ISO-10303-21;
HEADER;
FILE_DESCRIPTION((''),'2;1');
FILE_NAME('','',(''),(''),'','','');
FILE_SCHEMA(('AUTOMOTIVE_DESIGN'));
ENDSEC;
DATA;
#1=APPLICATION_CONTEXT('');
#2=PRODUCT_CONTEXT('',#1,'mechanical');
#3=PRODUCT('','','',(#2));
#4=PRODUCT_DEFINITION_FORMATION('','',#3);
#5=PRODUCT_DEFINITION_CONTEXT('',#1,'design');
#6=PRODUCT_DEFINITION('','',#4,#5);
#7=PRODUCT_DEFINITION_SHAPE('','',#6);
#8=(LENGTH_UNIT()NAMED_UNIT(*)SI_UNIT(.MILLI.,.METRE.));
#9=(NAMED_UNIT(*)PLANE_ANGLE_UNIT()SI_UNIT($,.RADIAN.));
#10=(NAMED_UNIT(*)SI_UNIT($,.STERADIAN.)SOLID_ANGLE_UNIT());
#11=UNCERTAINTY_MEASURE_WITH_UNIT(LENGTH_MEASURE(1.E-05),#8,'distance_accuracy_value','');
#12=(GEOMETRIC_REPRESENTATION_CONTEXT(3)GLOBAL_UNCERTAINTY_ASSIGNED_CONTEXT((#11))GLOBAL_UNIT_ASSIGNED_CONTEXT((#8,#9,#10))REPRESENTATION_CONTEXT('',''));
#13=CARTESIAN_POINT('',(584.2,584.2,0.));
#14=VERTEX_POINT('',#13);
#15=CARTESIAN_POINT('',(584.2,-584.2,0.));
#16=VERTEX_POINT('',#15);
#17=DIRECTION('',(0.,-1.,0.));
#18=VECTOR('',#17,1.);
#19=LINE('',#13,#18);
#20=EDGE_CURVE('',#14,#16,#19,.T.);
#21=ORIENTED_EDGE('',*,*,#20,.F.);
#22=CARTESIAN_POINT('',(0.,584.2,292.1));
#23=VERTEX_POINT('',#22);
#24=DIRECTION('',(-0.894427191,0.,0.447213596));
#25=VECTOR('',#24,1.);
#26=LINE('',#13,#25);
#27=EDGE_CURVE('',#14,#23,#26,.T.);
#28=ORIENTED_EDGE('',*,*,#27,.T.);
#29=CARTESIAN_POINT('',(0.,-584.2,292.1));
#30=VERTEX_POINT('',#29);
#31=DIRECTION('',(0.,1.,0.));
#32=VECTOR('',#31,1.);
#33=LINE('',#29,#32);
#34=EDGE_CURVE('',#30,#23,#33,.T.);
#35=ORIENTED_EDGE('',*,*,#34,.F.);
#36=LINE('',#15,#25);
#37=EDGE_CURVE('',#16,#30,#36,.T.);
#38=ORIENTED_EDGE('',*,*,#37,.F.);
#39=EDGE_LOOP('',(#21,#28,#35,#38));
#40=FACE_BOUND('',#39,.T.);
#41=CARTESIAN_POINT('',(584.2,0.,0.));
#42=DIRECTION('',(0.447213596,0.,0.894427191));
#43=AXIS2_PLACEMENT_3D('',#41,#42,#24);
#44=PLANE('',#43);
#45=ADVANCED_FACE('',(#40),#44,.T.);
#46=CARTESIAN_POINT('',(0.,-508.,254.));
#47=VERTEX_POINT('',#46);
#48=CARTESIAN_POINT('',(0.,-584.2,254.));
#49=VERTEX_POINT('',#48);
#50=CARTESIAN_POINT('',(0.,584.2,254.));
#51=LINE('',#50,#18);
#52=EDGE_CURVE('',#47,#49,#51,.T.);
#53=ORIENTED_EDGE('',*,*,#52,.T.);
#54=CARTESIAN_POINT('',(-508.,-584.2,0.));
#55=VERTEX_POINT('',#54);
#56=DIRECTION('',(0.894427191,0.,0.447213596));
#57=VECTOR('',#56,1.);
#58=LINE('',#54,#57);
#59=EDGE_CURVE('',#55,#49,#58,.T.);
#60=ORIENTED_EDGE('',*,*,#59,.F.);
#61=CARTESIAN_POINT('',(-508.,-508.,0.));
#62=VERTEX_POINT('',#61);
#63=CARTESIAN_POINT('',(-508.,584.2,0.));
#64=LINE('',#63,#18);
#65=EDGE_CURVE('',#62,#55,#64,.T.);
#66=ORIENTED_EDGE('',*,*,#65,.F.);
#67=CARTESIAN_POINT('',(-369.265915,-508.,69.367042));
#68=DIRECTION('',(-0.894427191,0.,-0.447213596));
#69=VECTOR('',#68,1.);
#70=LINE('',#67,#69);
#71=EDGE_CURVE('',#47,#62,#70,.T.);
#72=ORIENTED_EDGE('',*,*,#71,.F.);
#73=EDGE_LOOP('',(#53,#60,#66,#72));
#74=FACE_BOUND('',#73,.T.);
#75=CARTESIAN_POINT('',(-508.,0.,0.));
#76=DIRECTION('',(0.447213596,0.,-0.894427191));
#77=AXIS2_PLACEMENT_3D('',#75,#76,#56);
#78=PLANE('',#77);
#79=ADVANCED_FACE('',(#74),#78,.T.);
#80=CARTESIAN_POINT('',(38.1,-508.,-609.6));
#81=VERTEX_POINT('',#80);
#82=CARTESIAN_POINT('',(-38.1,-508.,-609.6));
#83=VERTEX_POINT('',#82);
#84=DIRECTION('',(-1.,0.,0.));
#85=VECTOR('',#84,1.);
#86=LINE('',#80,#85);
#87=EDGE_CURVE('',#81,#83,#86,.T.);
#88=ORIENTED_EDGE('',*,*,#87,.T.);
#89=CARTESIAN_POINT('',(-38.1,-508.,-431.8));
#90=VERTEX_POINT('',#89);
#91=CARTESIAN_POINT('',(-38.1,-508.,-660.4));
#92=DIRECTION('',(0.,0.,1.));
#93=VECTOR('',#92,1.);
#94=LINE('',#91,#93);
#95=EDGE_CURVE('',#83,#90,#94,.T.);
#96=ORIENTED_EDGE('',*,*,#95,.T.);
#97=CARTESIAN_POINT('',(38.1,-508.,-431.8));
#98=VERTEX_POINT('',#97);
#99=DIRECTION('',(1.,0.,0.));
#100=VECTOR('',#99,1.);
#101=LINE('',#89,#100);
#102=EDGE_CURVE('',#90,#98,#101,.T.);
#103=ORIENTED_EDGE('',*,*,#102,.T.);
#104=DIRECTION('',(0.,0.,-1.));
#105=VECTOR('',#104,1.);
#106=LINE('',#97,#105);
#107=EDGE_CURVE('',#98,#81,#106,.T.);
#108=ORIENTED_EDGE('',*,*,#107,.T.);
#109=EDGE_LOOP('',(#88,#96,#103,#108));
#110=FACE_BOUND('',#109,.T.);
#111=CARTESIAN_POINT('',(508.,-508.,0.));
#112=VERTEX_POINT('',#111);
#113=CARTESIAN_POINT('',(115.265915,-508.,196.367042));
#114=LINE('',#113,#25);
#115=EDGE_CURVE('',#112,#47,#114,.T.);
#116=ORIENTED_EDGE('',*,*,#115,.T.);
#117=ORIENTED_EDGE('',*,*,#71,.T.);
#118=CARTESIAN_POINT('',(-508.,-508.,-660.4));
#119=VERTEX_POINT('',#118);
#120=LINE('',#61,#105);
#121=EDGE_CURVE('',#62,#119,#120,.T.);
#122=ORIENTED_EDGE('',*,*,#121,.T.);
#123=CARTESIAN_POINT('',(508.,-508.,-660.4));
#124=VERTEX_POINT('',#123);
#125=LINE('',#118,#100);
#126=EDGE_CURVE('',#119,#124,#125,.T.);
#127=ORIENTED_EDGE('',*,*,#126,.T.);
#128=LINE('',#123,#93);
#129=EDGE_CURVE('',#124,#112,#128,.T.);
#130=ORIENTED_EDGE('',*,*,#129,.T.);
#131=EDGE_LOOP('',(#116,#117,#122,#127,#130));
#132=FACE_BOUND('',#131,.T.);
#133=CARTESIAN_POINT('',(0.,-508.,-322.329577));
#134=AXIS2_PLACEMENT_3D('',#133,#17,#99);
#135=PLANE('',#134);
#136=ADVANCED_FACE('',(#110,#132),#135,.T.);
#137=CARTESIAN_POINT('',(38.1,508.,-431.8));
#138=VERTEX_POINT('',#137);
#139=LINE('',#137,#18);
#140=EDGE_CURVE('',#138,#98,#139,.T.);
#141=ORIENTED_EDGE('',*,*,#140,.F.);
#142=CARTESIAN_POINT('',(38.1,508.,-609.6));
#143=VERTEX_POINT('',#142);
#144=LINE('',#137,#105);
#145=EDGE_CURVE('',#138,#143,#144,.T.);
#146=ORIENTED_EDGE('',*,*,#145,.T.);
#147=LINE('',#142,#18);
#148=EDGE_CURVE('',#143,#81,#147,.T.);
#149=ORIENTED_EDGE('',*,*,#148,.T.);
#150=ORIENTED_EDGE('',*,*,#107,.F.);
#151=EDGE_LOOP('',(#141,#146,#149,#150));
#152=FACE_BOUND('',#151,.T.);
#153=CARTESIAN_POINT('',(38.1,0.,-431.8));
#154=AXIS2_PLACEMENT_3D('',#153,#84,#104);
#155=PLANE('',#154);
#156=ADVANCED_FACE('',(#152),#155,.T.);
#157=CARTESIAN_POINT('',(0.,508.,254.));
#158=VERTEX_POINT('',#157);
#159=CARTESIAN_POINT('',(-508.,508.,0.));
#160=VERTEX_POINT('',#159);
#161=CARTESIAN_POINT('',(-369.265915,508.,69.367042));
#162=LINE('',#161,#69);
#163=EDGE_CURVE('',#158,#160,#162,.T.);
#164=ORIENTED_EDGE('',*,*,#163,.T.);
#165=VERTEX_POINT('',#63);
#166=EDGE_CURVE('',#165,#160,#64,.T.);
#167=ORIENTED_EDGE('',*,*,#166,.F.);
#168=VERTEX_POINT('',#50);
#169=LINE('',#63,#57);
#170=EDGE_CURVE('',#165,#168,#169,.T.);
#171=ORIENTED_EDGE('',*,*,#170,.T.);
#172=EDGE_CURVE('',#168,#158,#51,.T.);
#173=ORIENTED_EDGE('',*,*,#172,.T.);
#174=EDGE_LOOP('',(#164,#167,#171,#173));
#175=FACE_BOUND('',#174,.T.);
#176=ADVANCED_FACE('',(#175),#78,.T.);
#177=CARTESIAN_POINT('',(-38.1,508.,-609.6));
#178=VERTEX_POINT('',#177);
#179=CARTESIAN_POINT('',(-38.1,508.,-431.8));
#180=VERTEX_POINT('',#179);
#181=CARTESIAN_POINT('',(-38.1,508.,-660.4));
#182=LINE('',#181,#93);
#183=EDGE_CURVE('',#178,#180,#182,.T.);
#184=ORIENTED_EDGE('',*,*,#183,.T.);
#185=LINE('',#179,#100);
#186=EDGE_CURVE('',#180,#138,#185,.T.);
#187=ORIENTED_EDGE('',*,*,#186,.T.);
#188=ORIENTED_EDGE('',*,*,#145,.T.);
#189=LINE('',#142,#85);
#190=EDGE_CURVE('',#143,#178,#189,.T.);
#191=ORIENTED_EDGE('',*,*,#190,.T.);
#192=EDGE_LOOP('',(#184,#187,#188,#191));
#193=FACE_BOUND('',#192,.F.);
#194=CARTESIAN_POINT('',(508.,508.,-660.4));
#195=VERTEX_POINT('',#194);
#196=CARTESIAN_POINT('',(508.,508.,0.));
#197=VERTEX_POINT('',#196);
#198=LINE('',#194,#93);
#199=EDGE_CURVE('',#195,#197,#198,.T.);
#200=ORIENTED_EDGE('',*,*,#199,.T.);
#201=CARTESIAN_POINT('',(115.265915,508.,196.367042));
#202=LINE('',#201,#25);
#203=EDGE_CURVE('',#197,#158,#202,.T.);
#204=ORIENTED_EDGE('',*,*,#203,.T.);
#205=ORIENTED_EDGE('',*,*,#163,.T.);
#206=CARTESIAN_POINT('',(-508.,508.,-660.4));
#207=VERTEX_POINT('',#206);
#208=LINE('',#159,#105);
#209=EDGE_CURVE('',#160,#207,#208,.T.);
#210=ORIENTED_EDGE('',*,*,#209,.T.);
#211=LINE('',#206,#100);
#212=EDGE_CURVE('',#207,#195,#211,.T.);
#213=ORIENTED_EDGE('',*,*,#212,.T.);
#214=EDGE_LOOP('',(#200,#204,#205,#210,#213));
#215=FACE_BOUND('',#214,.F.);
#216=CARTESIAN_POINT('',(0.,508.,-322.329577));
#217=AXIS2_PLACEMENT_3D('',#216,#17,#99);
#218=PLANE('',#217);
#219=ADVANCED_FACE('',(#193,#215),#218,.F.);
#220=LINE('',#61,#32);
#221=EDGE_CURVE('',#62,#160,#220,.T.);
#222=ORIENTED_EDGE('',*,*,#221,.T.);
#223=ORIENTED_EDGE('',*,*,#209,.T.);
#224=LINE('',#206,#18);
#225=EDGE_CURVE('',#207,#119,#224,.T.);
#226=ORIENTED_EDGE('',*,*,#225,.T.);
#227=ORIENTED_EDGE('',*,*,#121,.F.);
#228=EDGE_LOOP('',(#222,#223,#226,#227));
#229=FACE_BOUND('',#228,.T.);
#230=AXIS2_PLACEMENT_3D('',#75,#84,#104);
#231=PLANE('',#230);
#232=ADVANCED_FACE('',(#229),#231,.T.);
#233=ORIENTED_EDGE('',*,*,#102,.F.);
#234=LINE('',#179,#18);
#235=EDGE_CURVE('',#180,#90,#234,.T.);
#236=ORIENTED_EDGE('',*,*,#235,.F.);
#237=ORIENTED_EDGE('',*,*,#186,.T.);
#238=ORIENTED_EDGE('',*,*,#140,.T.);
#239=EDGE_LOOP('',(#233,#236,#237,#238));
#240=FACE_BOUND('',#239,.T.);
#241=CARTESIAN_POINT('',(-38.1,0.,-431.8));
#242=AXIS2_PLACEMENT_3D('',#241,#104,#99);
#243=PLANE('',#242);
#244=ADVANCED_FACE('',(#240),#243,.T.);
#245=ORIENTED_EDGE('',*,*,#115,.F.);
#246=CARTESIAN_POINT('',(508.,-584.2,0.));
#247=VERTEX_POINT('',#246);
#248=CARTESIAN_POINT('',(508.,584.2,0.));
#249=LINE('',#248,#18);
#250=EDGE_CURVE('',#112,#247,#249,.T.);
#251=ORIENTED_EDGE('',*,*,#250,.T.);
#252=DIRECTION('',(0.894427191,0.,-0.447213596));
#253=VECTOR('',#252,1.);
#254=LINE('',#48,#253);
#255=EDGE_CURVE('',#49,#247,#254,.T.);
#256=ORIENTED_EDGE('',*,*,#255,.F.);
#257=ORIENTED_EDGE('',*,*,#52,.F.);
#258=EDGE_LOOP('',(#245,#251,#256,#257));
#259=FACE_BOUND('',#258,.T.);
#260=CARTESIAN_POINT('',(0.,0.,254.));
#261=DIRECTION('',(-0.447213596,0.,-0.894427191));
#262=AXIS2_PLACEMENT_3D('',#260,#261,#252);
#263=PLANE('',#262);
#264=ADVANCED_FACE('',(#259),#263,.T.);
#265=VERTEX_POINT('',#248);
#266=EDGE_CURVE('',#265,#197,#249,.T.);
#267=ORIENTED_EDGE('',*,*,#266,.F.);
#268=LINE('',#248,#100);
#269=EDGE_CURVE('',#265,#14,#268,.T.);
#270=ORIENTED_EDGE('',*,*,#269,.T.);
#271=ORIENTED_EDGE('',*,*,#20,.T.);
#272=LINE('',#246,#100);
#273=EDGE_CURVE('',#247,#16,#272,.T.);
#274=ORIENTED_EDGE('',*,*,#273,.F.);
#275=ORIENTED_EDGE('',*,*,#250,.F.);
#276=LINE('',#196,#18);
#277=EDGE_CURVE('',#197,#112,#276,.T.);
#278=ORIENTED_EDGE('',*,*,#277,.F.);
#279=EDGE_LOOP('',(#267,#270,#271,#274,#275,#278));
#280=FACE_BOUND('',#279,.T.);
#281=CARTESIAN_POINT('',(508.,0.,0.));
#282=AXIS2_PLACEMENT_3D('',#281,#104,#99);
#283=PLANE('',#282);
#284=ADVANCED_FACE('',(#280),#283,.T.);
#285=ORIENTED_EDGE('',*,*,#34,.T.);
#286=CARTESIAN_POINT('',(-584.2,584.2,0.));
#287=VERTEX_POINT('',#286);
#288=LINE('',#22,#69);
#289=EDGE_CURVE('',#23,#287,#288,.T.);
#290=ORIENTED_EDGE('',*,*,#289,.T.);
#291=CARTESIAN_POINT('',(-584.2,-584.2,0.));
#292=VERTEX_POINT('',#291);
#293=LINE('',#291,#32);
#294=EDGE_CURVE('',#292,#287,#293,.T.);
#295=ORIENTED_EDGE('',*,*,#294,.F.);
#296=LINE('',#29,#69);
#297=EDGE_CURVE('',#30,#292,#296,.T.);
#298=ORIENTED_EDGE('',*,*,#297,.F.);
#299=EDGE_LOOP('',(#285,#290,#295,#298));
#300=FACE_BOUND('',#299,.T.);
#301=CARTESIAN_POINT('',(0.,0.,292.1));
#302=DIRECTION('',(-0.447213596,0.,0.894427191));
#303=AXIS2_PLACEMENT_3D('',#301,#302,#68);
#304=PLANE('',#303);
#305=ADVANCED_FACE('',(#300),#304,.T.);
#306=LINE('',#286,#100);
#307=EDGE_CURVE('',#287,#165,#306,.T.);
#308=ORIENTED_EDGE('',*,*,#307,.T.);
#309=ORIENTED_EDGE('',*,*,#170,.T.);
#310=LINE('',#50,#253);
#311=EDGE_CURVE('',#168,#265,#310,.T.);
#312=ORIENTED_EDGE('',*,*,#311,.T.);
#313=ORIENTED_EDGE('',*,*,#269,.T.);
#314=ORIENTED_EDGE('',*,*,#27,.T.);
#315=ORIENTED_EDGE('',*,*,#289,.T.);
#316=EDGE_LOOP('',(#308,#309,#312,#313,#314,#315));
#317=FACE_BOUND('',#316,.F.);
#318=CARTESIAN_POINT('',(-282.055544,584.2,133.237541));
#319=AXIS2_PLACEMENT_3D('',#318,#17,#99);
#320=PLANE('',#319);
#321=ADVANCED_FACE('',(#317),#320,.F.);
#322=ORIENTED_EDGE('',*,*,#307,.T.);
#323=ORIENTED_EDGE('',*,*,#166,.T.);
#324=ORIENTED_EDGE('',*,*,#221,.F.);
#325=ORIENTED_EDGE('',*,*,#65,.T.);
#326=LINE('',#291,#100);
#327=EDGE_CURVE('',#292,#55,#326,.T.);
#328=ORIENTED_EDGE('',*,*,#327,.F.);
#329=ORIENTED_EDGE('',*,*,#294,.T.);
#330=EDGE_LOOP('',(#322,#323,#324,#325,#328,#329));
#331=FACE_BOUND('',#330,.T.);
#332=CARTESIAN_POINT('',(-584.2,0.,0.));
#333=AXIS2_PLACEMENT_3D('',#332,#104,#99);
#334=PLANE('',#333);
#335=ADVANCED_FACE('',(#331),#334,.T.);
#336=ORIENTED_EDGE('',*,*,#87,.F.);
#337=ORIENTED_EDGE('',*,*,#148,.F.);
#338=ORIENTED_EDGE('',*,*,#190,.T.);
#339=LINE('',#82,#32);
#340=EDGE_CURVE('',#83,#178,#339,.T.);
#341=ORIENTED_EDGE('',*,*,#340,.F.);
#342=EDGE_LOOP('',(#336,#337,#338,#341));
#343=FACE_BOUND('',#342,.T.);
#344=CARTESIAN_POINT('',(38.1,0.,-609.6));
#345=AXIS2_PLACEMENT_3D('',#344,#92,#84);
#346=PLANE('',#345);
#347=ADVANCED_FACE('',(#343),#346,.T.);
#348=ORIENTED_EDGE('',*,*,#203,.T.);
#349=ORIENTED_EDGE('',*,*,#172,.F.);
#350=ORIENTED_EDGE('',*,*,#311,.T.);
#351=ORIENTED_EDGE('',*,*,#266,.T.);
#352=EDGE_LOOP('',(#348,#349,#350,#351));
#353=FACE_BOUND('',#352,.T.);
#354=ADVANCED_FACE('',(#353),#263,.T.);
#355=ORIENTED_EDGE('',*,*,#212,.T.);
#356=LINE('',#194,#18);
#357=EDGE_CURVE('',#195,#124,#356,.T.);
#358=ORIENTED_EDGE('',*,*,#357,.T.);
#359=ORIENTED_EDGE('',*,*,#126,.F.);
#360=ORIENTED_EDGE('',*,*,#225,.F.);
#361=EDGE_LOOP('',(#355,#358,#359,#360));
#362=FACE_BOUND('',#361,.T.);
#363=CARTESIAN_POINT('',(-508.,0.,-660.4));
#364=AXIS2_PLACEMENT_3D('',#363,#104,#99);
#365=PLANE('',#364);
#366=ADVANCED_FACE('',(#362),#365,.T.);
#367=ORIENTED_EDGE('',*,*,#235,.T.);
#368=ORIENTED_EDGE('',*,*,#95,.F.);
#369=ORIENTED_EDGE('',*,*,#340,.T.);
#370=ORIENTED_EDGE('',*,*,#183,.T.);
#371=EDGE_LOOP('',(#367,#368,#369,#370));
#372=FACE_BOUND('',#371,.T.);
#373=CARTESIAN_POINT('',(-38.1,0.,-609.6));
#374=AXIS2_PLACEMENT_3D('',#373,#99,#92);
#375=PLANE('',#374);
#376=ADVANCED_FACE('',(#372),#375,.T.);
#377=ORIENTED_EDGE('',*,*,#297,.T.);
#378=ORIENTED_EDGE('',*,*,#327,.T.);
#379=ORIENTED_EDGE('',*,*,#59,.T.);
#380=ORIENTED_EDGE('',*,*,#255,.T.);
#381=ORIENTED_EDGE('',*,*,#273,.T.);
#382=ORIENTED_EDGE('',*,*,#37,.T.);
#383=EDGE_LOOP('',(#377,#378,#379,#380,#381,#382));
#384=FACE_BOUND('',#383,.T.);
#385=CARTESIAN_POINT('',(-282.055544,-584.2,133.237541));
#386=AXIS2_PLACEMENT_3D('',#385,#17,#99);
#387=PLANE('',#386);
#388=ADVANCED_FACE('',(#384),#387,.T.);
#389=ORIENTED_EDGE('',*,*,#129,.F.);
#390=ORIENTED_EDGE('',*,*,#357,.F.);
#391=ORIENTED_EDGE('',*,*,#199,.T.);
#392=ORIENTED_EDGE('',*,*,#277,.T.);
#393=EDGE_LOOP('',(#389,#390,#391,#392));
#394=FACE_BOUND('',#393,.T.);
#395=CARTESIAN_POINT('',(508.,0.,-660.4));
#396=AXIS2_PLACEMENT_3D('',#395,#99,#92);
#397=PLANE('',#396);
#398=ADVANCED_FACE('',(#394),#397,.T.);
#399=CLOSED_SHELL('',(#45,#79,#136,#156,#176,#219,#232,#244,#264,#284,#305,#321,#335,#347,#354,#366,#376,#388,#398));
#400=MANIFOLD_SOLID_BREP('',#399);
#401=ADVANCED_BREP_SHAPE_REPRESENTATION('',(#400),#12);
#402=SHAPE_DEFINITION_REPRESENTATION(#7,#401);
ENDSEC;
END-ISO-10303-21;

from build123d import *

# Parameters (mm, degrees)
F1_DEPTH = 584.2
F0_W     = 469.9
F0_H     = 50.8
F2_DEPTH = 508


with BuildPart() as f1:
    # F0 (on Front) → F1 (new body, symmetric)
    with BuildSketch(Plane.XZ):
        Polygon((-584.2, 0), (-508, 0), (0, 254), (0, 292.1), align=None)
        Polygon((0, 254), (508, 0), (584.2, 0), (0, 292.1), align=None)
    extrude(amount=F1_DEPTH, both=True)

    # F0 (on Front) → F2 (join, symmetric)
    with BuildSketch(Plane.XZ):
        Polygon((508, 0), (0, 0), (-508, 0), (-508, -609.6), (-38.1, -609.6), (-38.1, -431.8), (38.1, -431.8), (38.1, -609.6), (508, -609.6), align=None)
        Polygon((0, 254), (0, 0), (508, 0), align=None)
        Polygon((-508, 0), (0, 0), (0, 254), align=None)
        Polygon((-584.2, 0), (-508, 0), (0, 254), (0, 292.1), align=None)
        Polygon((0, 254), (508, 0), (584.2, 0), (0, 292.1), align=None)
        with Locations((-273.05, -635)):
            Rectangle(F0_W, F0_H)
        with Locations((273.05, -635)):
            Rectangle(F0_W, F0_H)
        Polygon((0, -609.6), (-38.1, -609.6), (-38.1, -660.4), (38.1, -660.4), (38.1, -609.6), align=None)
    extrude(amount=F2_DEPTH, both=True)


solid = f1.part
